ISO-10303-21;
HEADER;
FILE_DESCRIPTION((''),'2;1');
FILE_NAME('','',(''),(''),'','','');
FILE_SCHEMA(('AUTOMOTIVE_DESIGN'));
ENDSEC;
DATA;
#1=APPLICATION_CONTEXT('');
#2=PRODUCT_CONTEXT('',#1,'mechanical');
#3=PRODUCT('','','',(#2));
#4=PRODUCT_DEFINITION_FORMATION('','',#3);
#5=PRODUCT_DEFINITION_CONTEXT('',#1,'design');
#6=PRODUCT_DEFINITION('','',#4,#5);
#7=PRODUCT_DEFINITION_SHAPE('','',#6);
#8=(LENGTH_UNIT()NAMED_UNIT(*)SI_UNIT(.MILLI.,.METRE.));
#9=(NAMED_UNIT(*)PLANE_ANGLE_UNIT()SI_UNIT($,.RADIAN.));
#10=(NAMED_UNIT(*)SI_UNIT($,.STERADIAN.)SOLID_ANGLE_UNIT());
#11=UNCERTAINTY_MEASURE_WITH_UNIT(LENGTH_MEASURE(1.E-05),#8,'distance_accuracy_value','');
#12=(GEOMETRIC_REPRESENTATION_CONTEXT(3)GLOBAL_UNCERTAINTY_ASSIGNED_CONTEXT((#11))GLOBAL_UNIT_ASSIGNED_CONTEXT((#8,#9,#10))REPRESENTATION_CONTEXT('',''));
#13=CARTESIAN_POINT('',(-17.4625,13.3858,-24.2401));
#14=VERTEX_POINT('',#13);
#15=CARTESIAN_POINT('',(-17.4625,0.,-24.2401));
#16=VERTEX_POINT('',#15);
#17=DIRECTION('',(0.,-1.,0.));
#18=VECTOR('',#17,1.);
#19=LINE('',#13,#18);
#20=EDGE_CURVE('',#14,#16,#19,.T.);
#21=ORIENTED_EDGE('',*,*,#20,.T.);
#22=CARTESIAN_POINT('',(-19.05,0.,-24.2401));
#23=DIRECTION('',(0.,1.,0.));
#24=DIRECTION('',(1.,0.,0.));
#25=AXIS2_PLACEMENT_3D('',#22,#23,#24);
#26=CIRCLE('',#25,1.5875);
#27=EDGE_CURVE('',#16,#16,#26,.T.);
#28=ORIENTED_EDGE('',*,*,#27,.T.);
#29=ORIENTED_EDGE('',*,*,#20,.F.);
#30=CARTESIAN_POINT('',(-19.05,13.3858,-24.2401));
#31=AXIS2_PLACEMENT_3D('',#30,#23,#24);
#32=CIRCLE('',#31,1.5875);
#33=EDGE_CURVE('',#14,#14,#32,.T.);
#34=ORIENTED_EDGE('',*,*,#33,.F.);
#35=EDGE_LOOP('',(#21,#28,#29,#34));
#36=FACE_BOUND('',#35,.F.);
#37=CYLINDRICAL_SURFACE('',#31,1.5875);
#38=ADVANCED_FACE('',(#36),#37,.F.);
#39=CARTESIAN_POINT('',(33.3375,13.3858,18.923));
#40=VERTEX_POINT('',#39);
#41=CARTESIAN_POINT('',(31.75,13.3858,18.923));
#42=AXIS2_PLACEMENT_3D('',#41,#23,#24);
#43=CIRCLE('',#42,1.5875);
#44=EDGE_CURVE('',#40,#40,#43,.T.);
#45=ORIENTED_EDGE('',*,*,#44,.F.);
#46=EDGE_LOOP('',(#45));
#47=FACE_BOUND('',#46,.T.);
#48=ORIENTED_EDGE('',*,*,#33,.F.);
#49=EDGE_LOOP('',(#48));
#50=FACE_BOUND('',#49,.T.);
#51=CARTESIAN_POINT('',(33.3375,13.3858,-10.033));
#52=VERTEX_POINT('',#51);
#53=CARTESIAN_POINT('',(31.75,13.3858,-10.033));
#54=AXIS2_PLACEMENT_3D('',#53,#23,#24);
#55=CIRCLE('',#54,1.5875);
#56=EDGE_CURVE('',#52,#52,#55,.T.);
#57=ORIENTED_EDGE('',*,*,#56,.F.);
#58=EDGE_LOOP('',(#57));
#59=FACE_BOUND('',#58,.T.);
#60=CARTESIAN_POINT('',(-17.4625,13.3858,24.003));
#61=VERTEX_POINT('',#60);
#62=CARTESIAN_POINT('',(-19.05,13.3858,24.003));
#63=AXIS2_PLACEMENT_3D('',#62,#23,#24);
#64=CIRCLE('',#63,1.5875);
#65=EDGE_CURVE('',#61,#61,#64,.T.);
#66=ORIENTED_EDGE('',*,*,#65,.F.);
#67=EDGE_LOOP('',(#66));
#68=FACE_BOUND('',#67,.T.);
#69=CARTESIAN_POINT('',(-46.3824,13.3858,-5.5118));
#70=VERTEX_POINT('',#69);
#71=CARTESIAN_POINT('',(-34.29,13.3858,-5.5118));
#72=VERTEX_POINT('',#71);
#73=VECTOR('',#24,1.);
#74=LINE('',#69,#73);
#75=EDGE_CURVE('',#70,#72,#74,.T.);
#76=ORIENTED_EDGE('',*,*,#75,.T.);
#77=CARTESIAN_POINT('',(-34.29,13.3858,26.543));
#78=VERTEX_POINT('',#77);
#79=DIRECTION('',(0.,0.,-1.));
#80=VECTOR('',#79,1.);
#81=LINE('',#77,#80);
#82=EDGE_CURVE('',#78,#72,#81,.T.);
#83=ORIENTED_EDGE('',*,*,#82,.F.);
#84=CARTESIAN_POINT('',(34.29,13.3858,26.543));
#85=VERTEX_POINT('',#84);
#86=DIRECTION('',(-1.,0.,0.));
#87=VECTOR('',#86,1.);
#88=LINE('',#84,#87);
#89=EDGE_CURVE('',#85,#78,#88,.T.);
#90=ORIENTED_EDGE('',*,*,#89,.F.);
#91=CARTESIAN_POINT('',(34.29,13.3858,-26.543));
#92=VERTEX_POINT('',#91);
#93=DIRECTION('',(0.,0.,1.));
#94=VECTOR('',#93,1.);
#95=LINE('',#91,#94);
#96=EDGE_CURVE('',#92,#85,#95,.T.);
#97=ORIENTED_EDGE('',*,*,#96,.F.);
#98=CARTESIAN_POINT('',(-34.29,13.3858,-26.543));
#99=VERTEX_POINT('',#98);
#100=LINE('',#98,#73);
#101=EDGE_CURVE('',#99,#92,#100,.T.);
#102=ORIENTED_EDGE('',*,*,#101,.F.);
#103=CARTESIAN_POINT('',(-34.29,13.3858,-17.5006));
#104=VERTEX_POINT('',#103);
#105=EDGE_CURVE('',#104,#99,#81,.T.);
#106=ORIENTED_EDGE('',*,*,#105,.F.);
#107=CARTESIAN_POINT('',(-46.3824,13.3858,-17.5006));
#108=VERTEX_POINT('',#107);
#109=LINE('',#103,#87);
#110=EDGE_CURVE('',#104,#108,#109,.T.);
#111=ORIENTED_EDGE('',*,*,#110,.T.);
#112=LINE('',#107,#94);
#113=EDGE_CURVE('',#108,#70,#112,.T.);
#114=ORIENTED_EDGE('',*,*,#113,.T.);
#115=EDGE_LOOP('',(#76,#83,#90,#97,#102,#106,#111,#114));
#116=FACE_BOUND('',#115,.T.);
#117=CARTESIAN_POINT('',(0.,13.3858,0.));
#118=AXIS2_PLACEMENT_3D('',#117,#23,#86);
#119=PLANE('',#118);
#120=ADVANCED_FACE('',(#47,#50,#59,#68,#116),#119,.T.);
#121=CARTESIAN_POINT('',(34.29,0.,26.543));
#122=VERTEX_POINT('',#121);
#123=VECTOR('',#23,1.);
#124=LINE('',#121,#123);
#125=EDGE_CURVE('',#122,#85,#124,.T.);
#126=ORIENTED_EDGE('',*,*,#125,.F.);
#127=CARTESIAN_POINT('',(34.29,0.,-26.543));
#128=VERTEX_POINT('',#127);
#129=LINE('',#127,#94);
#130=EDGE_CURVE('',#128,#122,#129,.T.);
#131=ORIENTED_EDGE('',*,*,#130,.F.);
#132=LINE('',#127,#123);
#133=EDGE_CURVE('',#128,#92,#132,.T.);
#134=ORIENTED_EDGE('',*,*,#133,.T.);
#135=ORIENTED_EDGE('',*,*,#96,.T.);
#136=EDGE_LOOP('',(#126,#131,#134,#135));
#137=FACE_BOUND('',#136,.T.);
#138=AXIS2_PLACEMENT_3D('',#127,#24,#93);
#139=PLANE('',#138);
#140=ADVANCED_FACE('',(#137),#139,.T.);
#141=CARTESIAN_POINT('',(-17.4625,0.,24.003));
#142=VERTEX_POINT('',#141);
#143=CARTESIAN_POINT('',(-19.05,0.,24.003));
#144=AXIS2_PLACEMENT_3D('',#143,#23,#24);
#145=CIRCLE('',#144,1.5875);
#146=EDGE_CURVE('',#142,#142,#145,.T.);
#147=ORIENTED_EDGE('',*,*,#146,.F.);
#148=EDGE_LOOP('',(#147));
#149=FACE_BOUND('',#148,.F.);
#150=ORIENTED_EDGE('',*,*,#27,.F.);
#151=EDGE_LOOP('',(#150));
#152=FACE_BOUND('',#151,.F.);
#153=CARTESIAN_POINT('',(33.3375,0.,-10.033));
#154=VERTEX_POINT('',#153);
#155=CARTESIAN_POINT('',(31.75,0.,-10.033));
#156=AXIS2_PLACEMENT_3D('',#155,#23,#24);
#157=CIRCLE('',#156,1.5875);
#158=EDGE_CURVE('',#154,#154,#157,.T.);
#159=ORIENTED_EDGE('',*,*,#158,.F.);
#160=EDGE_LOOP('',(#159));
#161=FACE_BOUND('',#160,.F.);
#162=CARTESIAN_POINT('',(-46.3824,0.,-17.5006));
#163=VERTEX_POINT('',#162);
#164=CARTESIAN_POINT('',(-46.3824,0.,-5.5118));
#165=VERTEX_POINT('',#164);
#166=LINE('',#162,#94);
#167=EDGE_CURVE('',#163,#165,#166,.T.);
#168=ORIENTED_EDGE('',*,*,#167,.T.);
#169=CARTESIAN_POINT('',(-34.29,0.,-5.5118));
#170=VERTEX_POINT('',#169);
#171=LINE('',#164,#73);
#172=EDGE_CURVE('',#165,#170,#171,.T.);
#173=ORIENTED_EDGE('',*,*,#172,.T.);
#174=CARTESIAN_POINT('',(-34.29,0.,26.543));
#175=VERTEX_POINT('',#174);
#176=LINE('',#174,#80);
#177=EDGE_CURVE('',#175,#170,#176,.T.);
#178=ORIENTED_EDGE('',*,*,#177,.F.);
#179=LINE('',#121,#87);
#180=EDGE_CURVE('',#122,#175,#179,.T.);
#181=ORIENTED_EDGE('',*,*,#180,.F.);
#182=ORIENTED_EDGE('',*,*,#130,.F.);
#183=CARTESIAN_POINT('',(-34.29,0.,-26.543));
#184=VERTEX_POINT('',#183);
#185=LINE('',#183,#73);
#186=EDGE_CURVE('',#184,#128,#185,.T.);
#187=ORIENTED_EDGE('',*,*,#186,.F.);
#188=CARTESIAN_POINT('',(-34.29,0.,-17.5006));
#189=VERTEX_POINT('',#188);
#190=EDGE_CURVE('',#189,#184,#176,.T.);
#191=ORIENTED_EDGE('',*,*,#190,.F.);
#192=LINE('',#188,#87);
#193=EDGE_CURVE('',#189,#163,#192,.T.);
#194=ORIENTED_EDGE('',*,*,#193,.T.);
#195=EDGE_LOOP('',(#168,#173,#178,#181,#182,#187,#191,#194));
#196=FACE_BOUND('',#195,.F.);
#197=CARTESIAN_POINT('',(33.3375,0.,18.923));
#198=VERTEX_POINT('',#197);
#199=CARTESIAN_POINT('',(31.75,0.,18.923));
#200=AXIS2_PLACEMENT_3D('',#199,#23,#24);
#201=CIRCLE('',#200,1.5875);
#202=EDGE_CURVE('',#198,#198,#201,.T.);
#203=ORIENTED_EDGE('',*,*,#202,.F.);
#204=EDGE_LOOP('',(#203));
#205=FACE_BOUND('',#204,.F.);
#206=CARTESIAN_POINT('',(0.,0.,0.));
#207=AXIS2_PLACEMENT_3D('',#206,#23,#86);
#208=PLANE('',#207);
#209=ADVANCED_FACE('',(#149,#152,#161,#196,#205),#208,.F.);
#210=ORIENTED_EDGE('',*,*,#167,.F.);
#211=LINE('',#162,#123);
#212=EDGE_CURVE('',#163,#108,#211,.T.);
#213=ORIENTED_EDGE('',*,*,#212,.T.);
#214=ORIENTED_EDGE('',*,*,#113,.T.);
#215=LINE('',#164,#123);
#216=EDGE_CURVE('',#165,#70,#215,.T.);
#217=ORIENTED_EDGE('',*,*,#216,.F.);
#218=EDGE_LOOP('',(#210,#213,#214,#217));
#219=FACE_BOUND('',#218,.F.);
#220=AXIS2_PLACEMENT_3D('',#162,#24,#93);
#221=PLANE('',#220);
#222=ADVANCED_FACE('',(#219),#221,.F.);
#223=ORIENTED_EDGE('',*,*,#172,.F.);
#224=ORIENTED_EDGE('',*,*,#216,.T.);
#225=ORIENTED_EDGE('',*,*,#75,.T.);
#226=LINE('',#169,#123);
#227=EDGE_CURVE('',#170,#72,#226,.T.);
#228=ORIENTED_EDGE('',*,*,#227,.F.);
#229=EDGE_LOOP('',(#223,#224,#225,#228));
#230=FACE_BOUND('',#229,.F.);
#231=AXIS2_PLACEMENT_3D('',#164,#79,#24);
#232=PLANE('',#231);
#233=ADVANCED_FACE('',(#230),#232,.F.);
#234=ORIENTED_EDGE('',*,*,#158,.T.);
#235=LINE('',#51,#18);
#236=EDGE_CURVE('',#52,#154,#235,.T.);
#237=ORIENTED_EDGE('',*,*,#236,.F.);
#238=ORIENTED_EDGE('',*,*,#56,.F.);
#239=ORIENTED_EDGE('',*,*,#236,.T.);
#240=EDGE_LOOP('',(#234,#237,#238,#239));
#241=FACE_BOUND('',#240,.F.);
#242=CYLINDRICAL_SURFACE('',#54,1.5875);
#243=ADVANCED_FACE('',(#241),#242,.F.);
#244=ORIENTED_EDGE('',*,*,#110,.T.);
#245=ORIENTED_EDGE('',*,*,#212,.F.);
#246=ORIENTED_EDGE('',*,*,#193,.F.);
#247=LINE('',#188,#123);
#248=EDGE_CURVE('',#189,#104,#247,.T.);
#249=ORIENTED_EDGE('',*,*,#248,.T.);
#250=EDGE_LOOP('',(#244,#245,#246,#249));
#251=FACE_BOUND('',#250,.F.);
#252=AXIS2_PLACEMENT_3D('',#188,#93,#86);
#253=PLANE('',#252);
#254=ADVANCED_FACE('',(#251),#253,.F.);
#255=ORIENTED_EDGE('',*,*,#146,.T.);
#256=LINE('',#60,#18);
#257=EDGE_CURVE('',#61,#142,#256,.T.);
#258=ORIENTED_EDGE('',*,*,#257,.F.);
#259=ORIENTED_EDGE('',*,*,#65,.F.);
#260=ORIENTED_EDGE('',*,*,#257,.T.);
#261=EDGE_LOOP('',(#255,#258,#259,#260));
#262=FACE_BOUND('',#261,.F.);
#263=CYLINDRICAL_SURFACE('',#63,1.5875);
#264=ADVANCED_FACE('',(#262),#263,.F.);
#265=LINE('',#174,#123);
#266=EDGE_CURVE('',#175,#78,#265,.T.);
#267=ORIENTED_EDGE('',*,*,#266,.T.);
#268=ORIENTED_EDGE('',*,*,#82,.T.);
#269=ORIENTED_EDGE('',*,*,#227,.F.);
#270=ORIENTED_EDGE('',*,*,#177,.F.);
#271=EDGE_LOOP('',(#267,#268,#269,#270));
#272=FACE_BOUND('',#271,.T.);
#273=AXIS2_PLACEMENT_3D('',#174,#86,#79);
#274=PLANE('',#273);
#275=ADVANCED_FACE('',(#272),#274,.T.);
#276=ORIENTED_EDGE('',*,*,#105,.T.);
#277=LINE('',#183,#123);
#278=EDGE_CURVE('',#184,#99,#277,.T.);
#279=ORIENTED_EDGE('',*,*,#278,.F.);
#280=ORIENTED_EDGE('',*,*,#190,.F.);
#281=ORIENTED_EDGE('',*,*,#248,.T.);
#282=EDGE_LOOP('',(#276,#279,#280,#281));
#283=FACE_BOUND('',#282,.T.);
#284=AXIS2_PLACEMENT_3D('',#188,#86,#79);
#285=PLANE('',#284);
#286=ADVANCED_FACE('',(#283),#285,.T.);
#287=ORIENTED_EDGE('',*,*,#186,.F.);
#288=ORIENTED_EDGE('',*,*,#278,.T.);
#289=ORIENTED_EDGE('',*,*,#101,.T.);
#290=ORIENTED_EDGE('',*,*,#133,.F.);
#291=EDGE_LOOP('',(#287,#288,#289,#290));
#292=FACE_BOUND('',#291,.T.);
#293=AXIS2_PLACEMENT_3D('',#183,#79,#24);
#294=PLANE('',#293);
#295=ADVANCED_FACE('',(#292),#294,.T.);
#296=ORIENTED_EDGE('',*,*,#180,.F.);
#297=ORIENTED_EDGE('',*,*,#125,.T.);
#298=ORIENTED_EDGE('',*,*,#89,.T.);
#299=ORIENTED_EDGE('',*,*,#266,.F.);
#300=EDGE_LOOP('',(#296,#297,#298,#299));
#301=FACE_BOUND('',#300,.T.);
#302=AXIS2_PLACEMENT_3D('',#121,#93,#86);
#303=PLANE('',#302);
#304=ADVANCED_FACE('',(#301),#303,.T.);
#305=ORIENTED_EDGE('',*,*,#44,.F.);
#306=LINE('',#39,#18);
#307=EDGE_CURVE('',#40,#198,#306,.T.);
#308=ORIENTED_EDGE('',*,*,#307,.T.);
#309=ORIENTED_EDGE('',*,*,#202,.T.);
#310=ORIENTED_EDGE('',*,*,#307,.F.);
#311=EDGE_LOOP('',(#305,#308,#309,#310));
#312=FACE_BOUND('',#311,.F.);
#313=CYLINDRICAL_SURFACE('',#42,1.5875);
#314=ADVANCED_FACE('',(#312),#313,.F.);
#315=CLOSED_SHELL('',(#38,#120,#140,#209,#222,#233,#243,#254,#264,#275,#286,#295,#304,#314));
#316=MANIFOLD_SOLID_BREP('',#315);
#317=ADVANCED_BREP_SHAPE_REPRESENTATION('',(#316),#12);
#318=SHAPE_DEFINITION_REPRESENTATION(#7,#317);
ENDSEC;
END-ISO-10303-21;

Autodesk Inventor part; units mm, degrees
ref_plane "YZ Plane" through (0, 0, 0) normal (1, 0, 0) x (0, 1, 0)
ref_plane "XZ Plane" through (0, 0, 0) normal (0, 1, 0) x (-1, 0, 0)
ref_plane "XY Plane" through (0, 0, 0) normal (0, 0, 1) x (1, 0, 0)
sketch "Sketch1" plane through (0, 0, 0) normal (0, 1, 0) x (-1, 0, 0)
  line L0 (34.29, -26.543) -> (-34.29, -26.543)
  line L1 (-34.29, -26.543) -> (-34.29, 26.543)
  line L2 (-34.29, 26.543) -> (34.29, 26.543)
  line L3 (34.29, 26.543) -> (34.29, -26.543)
  line L4 (34.29, -17.5006) -> (46.3824, -17.5006)
  line L5 (46.3824, -17.5006) -> (46.3824, -5.5118)
  line L6 (46.3824, -5.5118) -> (34.29, -5.5118)
  line L7 (34.29, -5.5118) -> (34.29, -17.5006)
  point P0 (0, 0)
  point P1 (0, -26.543)
  point P2 (34.29, 0)
  dimension "d0" = 68.58
  dimension "d1" = 53.086
  dimension "d2" = 9.0424
  dimension "d3" = 11.9888
extrude "Extrusion1" add sketch "Sketch1" along normal blind 13.3858
sketch "Sketch2" plane through (0, 13.3858, 0) normal (0, 1, 0) x (1, 0, 0)
  circle A0 centre (-19.05, 24.2401) radius 1.5875
  circle A1 centre (31.75, 10.033) radius 1.5875
  circle A2 centre (31.75, -18.923) radius 1.5875
  circle A3 centre (-19.05, -24.003) radius 1.5875
  line L0 (-34.29, 26.543) -> (-34.29, 17.5006) projected
  line L1 (34.29, -26.543) -> (34.29, 26.543) projected
  line L2 (34.29, 26.543) -> (-34.29, 26.543) projected
  line L3 (-34.29, -26.543) -> (34.29, -26.543) projected
  point P0 (0, 0)
  dimension "d6" = 15.24
  dimension "d7" = 3.175
  dimension "d9" = 16.51
  dimension "d10" = 7.62
  dimension "d11" = 2.54
  dimension "d12" = 50.8
extrude "Extrusion2" cut sketch "Sketch2" against normal blind 13.3858
properties part number "Arduino"
